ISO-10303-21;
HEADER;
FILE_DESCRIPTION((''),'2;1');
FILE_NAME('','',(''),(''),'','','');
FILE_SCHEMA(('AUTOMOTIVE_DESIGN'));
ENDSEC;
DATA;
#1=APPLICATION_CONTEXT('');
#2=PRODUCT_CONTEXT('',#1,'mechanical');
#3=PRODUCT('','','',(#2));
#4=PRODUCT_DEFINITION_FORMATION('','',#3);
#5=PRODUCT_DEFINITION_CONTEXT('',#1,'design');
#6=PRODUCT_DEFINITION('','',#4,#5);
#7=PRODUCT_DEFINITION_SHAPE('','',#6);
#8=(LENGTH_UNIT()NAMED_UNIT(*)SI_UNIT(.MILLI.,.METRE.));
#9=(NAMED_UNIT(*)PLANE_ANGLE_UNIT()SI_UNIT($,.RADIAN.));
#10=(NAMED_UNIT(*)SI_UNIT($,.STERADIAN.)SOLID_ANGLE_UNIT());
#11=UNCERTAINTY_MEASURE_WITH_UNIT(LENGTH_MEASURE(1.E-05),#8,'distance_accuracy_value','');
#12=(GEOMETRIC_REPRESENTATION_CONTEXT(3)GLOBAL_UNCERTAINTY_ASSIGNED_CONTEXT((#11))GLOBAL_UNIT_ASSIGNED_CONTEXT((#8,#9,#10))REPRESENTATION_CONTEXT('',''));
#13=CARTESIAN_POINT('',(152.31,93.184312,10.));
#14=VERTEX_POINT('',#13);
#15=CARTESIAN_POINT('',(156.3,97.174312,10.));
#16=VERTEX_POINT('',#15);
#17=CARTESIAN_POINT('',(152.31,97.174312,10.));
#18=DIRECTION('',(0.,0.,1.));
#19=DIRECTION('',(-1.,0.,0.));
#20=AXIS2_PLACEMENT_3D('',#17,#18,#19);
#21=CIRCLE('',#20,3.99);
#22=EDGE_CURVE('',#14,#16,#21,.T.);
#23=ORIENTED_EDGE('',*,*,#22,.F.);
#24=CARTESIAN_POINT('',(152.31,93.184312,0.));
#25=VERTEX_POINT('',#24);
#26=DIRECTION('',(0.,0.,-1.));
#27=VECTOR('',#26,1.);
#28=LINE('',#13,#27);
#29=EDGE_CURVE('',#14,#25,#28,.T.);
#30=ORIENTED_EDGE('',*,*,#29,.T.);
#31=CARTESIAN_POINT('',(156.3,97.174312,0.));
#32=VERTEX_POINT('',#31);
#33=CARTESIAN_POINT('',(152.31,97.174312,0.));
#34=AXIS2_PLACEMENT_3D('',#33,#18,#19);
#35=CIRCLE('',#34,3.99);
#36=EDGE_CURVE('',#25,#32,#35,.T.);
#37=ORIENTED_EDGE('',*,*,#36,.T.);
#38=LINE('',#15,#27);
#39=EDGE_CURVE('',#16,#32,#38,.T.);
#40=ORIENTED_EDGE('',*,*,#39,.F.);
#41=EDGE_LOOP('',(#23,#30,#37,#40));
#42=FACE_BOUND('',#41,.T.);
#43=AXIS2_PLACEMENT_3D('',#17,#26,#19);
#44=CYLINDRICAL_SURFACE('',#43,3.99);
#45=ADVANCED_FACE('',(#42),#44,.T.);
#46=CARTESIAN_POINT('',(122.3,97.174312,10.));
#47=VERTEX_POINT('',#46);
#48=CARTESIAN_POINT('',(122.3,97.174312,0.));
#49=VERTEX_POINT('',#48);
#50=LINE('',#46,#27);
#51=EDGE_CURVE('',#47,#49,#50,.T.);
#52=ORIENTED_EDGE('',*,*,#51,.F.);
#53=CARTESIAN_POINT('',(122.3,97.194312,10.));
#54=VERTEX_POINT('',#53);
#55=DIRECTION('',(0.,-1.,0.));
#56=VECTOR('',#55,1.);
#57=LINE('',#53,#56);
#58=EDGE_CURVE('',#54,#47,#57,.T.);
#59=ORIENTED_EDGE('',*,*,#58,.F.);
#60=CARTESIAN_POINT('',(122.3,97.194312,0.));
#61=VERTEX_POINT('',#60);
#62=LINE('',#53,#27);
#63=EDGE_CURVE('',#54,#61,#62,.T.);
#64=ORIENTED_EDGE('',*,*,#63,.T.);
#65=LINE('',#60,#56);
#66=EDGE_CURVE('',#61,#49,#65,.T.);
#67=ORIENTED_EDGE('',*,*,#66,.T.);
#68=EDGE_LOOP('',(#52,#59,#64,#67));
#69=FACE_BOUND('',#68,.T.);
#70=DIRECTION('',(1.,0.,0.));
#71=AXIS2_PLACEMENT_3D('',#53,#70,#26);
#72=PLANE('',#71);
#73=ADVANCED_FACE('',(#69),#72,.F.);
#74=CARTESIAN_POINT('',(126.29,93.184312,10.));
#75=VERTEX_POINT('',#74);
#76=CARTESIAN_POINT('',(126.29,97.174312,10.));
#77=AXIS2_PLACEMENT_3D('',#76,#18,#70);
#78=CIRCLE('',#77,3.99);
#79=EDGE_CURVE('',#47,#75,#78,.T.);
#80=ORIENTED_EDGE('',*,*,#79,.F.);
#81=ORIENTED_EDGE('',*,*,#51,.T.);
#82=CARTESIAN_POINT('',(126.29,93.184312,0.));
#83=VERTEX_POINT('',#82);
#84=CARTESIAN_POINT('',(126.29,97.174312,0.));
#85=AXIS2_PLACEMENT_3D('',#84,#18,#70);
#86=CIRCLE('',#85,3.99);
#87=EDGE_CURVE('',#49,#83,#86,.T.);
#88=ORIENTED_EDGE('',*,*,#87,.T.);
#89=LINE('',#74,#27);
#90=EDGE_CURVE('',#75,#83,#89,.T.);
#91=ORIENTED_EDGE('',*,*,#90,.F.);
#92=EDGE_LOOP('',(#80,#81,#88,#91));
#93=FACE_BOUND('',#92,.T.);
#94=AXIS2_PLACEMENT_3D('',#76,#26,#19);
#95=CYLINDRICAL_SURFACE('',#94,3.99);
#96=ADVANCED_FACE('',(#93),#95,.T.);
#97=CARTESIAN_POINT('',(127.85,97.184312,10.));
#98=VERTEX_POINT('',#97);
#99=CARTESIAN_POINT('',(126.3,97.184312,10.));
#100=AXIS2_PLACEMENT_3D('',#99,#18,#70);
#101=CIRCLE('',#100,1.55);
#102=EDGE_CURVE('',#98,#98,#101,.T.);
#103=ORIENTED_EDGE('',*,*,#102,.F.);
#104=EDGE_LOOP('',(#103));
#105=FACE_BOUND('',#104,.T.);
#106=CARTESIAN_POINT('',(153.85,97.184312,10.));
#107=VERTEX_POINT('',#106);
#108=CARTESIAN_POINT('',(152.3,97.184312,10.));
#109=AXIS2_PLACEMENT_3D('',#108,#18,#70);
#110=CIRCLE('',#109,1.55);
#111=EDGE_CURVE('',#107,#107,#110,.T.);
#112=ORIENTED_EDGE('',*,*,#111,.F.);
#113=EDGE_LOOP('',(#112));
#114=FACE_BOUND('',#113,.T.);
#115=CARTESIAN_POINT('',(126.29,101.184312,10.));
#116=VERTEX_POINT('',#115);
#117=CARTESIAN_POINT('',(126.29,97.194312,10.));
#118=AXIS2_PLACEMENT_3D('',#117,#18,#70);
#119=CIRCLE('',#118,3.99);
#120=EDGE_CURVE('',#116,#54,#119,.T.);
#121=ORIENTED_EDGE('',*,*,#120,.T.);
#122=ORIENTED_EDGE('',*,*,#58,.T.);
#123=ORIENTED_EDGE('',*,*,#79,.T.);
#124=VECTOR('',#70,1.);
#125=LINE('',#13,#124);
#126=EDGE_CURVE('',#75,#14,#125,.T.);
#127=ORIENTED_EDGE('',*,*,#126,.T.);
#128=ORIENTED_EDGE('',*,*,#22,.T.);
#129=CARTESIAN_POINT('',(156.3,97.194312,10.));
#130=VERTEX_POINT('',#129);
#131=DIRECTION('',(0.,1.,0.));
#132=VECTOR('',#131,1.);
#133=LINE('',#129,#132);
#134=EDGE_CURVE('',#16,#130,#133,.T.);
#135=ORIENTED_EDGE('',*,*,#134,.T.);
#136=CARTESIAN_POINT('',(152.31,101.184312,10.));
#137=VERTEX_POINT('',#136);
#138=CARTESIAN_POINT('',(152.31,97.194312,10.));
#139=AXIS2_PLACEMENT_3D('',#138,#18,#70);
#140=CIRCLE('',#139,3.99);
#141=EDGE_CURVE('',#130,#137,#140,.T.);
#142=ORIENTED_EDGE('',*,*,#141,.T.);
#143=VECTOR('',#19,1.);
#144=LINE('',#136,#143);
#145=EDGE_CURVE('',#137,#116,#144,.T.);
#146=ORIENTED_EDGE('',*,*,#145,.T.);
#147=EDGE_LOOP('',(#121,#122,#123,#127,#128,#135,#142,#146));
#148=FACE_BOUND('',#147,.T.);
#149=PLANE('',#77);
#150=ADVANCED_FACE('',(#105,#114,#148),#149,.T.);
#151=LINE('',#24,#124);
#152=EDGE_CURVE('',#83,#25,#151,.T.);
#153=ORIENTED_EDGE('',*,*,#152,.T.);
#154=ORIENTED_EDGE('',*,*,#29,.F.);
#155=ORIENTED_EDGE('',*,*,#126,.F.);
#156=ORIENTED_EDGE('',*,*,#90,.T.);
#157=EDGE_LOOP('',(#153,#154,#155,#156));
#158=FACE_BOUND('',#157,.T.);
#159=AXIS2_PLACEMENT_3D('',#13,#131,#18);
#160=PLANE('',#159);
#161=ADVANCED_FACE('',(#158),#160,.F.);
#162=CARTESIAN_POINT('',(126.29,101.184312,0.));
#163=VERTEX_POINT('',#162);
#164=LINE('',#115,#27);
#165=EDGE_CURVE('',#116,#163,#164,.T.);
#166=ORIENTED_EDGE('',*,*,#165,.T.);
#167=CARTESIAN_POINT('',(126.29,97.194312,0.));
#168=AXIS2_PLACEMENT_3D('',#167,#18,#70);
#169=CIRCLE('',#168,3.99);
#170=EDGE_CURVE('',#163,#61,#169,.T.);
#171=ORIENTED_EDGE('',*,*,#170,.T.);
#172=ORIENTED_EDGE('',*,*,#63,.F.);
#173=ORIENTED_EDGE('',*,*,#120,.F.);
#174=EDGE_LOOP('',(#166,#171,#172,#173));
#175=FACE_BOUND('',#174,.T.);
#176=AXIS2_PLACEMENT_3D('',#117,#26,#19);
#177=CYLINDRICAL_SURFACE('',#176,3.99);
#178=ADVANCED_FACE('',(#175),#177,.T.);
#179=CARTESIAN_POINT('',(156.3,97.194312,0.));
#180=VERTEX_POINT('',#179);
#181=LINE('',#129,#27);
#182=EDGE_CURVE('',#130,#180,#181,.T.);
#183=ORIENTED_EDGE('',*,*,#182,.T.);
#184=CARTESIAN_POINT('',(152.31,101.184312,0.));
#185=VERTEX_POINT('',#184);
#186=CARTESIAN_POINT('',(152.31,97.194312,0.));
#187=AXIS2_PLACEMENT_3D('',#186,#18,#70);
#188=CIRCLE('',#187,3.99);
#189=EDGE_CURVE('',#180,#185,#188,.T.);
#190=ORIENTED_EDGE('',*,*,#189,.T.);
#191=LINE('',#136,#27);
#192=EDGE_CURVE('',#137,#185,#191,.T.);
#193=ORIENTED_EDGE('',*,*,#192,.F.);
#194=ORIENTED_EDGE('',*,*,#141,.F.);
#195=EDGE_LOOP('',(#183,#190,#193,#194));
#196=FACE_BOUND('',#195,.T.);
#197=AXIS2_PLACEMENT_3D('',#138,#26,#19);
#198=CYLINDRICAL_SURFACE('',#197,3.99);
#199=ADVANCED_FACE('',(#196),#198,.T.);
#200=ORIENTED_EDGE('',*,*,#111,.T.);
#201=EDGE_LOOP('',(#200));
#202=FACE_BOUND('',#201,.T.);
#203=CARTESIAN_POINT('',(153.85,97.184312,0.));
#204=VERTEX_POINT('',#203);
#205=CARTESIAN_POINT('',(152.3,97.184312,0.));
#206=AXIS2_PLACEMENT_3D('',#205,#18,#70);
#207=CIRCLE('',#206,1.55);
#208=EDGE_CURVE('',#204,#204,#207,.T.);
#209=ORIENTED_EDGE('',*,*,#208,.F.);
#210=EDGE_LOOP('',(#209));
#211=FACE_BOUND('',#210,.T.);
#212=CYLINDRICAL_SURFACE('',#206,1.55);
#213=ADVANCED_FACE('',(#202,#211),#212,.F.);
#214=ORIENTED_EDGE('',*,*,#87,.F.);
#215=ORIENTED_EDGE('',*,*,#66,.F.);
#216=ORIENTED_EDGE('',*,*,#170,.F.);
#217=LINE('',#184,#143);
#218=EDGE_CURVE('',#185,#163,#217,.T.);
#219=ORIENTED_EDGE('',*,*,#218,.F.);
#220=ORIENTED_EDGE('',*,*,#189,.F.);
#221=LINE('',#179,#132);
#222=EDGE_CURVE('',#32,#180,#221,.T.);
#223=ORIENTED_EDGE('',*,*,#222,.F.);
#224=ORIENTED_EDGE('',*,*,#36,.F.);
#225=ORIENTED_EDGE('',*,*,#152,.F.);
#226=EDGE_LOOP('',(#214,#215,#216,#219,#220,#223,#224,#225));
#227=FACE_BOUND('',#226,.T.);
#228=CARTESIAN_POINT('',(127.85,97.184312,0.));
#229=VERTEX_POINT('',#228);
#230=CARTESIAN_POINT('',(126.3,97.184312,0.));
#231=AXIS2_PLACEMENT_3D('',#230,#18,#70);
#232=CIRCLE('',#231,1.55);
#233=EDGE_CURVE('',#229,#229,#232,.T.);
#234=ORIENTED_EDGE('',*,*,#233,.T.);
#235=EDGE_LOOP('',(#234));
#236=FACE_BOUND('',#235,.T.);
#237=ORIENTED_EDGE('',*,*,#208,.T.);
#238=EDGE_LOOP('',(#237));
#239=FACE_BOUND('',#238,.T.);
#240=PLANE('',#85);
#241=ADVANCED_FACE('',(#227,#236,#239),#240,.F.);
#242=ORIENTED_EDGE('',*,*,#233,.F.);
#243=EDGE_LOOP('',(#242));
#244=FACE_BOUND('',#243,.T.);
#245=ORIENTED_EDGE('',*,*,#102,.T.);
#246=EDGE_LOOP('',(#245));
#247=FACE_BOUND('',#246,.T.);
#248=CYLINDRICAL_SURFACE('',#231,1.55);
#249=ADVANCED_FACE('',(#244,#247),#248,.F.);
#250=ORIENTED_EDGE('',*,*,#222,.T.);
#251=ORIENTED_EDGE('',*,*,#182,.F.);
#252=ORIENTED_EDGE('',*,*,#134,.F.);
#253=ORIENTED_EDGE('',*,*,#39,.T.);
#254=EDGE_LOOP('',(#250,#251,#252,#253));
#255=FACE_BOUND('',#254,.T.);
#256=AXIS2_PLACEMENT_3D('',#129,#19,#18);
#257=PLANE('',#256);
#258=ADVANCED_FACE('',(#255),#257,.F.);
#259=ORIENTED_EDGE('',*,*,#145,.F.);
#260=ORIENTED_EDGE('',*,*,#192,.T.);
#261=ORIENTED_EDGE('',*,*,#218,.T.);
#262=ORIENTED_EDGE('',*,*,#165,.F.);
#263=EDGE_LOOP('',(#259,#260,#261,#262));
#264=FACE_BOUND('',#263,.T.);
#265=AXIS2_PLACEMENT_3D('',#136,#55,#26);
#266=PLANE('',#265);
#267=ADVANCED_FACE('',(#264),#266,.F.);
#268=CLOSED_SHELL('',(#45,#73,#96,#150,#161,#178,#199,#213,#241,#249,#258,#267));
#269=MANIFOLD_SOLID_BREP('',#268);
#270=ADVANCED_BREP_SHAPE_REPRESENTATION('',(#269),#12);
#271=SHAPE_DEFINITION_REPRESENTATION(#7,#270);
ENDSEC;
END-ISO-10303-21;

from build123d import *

# Parameters (mm, degrees)
DODANIE_WYCI_GNI_CIE1_DEPTH = 10
SZKIC2_R                    = 1.55
WYTNIJ_WYCI_GNI_CIE1_DEPTH  = 10


with BuildPart() as part:
    # Szkic1 → Dodanie-wyciągnięcie1 (new body)
    with BuildSketch(Plane.XY):
        with BuildLine():
            Line((152.31, 101.184311715), (126.29, 101.184311715))
            ThreePointArc((126.29, 101.184311715), (123.468643943, 100.015667772), (122.3, 97.194311715))
            Line((122.3, 97.194311715), (122.3, 97.174311715))
            ThreePointArc((122.3, 97.174311715), (123.468643943, 94.352955658), (126.29, 93.184311715))
            Line((126.29, 93.184311715), (152.31, 93.184311715))
            ThreePointArc((152.31, 93.184311715), (155.131356057, 94.352955658), (156.3, 97.174311715))
            Line((156.3, 97.174311715), (156.3, 97.194311715))
            ThreePointArc((156.3, 97.194311715), (155.131356057, 100.015667772), (152.31, 101.184311715))
        make_face()
    extrude(amount=DODANIE_WYCI_GNI_CIE1_DEPTH)

    # Szkic2 → Wytnij-wyciągnięcie1 (cut)
    with BuildSketch(Plane.XY.offset(10)):
        with Locations((152.3, 97.184311715)):
            Circle(SZKIC2_R)
        with Locations((126.3, 97.184311715)):
            Circle(SZKIC2_R)
    extrude(amount=-WYTNIJ_WYCI_GNI_CIE1_DEPTH, mode=Mode.SUBTRACT)


solid = part.part
